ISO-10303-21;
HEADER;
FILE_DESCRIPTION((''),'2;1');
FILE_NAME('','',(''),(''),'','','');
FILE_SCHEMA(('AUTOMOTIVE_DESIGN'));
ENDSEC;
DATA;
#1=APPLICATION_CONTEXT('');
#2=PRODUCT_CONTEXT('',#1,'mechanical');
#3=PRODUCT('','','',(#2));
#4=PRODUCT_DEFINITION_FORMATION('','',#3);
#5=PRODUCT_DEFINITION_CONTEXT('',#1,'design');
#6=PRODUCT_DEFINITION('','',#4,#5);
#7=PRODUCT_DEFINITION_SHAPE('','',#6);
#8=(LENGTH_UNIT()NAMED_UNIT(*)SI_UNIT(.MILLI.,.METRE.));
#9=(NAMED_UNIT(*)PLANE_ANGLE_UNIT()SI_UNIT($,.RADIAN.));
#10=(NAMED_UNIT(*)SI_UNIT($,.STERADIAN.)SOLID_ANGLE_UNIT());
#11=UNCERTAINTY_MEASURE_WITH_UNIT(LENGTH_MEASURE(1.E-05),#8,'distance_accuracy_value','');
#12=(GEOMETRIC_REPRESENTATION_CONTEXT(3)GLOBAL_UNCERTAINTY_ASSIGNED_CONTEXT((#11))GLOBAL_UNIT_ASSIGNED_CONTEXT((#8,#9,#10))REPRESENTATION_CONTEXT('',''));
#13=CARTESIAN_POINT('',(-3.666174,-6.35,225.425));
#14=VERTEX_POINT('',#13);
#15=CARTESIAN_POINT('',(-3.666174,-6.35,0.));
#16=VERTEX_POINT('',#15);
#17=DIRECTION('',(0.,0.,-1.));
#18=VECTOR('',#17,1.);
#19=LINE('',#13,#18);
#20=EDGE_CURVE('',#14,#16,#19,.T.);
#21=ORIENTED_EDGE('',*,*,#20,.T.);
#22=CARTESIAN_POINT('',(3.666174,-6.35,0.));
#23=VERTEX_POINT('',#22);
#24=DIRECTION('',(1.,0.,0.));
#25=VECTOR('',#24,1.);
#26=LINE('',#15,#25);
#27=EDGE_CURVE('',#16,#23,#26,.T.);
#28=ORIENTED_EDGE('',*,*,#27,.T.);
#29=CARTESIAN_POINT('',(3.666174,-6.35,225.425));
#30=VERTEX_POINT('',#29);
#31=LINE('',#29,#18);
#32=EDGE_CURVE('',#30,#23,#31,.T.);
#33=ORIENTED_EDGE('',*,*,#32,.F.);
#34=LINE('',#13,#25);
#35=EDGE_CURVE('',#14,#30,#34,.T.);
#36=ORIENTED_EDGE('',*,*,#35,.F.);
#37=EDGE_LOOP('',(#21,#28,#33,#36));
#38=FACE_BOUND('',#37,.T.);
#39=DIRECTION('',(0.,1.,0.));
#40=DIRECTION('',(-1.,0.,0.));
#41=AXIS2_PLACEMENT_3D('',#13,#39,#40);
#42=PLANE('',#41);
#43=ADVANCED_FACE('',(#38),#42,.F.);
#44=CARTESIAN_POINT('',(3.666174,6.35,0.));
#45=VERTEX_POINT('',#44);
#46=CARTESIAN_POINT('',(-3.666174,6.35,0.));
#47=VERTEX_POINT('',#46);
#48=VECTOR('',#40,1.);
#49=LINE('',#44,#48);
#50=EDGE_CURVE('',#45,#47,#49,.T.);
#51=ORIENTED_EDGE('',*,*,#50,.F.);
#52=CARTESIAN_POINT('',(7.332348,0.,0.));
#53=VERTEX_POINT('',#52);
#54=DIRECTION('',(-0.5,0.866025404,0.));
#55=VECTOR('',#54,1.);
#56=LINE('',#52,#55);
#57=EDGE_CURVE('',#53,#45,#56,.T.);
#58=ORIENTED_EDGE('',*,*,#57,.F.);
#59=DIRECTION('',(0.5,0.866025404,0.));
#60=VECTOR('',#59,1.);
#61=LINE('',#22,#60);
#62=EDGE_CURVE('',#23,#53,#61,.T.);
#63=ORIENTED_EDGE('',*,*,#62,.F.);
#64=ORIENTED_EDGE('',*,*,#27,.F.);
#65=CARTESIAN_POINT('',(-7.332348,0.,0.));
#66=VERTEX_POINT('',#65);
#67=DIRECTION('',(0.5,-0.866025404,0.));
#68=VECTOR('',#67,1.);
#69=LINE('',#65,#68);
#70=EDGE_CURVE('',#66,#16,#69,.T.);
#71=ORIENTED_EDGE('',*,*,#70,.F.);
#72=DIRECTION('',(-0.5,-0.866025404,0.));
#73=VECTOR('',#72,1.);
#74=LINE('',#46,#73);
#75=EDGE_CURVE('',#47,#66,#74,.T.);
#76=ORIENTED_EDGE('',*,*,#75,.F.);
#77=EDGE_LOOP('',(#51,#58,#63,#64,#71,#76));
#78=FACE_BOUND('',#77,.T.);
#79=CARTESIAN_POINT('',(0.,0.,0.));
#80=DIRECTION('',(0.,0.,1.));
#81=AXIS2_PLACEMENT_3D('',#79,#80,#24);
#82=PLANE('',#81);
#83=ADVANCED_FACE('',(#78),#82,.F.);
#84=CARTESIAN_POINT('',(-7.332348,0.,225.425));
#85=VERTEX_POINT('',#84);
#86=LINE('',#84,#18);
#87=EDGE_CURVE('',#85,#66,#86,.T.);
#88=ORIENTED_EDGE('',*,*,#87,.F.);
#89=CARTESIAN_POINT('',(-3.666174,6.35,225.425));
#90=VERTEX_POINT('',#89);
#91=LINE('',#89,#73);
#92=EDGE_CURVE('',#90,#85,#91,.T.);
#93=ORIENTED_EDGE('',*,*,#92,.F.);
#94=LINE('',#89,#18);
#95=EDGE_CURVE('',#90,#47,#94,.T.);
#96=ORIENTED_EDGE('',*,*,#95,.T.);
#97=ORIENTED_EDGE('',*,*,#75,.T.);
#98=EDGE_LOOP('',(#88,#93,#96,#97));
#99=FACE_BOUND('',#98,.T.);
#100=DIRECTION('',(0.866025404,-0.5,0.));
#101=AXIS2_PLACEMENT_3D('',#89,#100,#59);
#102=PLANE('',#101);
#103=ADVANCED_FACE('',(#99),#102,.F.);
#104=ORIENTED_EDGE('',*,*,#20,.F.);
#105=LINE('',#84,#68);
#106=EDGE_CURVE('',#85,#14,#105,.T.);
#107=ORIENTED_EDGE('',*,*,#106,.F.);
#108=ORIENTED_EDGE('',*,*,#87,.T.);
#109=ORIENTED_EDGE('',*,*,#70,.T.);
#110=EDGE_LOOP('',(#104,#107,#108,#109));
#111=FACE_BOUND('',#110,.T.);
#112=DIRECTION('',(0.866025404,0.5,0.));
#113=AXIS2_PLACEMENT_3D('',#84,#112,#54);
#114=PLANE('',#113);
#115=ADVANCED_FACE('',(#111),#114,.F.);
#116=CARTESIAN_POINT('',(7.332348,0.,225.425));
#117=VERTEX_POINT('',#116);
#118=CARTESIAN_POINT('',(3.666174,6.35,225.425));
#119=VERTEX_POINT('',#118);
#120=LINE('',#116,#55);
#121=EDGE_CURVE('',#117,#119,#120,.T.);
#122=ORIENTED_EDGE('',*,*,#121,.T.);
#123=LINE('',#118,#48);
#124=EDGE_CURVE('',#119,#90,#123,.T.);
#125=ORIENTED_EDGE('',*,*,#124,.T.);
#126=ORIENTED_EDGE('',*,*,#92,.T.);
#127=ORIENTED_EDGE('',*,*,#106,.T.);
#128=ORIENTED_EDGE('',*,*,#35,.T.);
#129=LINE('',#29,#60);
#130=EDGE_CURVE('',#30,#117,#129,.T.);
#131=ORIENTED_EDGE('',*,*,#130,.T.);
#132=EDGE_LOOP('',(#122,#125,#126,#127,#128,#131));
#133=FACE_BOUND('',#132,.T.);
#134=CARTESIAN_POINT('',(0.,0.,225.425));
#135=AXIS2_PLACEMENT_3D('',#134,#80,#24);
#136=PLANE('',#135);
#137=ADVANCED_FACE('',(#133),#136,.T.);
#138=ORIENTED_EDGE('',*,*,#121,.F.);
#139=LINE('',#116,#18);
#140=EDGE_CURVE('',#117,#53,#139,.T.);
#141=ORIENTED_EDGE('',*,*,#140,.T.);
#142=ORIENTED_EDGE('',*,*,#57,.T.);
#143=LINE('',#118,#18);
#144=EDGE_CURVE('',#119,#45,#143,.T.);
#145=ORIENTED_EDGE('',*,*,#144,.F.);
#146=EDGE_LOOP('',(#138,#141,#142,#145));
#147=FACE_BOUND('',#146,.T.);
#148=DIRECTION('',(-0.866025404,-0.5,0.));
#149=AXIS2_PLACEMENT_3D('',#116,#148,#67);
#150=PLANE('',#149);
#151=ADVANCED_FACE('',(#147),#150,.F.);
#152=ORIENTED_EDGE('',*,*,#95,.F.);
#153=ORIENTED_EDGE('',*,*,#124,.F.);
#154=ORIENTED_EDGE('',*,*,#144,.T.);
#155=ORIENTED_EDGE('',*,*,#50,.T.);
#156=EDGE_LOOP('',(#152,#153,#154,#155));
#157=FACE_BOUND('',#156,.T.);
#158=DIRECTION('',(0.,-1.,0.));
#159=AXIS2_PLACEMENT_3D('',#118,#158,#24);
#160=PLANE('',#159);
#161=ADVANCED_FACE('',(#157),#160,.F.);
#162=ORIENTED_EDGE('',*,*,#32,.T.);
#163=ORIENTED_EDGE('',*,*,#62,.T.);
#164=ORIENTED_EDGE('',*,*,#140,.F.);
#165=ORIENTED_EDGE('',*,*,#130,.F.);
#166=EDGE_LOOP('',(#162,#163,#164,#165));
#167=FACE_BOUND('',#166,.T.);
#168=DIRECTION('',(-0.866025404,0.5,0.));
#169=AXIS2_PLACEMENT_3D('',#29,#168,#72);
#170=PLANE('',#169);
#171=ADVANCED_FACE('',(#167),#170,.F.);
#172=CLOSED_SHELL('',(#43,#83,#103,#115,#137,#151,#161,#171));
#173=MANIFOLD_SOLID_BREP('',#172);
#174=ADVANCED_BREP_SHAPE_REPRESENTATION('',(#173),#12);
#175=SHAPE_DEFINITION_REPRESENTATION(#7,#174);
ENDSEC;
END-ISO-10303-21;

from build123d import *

# Parameters (mm, degrees)
BOSS_EXTRUDE1_DEPTH = 225.425


with BuildPart() as part:
    # Sketch1 → Boss-Extrude1 (new body)
    with BuildSketch(Plane.XY):
        Polygon((-7.332348419, 0), (-3.666174209, -6.35), (3.666174209, -6.35), (7.332348419, 0), (3.666174209, 6.35), (-3.666174209, 6.35), align=None)
    extrude(amount=BOSS_EXTRUDE1_DEPTH)


solid = part.part
